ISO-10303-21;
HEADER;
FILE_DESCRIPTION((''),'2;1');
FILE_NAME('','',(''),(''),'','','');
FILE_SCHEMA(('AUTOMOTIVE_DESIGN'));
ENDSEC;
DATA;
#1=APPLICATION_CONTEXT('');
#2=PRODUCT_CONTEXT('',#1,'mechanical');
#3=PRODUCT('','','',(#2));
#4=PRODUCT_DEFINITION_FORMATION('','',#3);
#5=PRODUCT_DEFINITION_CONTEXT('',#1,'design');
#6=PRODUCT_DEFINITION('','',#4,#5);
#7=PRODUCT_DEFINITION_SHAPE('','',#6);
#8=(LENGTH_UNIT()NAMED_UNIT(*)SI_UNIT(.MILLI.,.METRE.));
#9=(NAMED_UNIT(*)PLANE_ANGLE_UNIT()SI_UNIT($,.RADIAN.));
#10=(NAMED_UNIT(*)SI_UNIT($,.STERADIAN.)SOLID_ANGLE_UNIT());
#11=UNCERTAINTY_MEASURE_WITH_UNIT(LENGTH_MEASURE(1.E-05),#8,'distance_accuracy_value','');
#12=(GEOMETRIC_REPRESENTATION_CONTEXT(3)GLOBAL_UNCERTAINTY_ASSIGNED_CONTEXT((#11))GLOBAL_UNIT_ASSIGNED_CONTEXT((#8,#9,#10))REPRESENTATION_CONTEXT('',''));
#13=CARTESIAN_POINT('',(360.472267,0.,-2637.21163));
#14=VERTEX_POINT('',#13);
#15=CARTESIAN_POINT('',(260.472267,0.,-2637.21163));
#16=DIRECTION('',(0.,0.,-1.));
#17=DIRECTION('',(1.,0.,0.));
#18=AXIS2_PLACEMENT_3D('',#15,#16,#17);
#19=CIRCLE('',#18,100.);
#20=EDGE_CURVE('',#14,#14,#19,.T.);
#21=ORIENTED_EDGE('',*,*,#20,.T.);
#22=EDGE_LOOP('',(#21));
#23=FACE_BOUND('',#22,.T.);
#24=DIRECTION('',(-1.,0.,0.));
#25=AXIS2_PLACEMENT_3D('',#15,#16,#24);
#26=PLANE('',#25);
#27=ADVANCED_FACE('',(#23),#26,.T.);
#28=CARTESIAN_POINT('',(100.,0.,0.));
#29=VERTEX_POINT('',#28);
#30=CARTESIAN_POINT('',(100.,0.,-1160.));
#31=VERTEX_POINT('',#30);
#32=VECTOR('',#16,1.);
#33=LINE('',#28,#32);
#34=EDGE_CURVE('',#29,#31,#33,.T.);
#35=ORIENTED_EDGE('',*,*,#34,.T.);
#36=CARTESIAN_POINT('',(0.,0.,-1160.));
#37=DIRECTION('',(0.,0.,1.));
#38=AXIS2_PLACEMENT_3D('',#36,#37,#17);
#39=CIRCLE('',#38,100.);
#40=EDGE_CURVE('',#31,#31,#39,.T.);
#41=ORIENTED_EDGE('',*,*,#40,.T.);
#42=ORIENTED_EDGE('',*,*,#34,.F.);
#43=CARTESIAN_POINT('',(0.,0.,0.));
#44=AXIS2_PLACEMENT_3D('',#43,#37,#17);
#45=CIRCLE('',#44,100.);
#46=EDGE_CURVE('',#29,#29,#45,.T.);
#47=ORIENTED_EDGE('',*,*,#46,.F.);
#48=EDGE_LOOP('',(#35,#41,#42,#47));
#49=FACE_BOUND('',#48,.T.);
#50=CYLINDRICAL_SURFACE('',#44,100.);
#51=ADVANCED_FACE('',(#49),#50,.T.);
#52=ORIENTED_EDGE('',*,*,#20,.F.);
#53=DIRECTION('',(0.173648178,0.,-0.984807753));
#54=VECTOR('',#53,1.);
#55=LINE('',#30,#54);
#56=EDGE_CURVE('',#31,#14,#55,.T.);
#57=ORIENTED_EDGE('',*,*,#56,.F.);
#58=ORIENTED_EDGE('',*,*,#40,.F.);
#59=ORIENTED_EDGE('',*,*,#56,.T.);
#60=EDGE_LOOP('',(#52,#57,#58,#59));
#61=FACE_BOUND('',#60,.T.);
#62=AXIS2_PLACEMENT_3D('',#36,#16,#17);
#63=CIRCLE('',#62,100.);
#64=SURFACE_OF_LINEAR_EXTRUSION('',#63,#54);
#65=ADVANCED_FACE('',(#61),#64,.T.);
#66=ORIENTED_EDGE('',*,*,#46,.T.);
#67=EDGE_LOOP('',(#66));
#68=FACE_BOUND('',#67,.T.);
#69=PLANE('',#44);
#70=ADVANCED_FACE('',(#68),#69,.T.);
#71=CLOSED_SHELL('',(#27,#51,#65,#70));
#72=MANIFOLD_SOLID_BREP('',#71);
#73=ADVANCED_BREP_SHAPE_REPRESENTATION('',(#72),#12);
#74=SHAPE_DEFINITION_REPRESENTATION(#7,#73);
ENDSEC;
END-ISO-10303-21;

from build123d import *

# Parameters (mm, degrees)
F0_R      = 100
F2_DEPTH  = 1160
F2_FACE_R = 100


with BuildPart() as f2:
    # F0 (on Top) → F2 (new body)
    with BuildSketch(Plane.XY):
        Circle(F0_R)
    extrude(amount=-F2_DEPTH)

    # F3: sweep along a path in F1
    with BuildLine(Plane.XZ) as f3_path:
        Line((0, -1160), (260.472267, -2637.21163))
    # F2_face (on face) → F3 (sweep)
    with BuildSketch(Plane(origin=(0, 0, -1160), x_dir=(1, 0, 0), z_dir=(0, 0, -1))):
        Circle(F2_FACE_R)
    sweep(path=f3_path.line)


solid = f2.part
